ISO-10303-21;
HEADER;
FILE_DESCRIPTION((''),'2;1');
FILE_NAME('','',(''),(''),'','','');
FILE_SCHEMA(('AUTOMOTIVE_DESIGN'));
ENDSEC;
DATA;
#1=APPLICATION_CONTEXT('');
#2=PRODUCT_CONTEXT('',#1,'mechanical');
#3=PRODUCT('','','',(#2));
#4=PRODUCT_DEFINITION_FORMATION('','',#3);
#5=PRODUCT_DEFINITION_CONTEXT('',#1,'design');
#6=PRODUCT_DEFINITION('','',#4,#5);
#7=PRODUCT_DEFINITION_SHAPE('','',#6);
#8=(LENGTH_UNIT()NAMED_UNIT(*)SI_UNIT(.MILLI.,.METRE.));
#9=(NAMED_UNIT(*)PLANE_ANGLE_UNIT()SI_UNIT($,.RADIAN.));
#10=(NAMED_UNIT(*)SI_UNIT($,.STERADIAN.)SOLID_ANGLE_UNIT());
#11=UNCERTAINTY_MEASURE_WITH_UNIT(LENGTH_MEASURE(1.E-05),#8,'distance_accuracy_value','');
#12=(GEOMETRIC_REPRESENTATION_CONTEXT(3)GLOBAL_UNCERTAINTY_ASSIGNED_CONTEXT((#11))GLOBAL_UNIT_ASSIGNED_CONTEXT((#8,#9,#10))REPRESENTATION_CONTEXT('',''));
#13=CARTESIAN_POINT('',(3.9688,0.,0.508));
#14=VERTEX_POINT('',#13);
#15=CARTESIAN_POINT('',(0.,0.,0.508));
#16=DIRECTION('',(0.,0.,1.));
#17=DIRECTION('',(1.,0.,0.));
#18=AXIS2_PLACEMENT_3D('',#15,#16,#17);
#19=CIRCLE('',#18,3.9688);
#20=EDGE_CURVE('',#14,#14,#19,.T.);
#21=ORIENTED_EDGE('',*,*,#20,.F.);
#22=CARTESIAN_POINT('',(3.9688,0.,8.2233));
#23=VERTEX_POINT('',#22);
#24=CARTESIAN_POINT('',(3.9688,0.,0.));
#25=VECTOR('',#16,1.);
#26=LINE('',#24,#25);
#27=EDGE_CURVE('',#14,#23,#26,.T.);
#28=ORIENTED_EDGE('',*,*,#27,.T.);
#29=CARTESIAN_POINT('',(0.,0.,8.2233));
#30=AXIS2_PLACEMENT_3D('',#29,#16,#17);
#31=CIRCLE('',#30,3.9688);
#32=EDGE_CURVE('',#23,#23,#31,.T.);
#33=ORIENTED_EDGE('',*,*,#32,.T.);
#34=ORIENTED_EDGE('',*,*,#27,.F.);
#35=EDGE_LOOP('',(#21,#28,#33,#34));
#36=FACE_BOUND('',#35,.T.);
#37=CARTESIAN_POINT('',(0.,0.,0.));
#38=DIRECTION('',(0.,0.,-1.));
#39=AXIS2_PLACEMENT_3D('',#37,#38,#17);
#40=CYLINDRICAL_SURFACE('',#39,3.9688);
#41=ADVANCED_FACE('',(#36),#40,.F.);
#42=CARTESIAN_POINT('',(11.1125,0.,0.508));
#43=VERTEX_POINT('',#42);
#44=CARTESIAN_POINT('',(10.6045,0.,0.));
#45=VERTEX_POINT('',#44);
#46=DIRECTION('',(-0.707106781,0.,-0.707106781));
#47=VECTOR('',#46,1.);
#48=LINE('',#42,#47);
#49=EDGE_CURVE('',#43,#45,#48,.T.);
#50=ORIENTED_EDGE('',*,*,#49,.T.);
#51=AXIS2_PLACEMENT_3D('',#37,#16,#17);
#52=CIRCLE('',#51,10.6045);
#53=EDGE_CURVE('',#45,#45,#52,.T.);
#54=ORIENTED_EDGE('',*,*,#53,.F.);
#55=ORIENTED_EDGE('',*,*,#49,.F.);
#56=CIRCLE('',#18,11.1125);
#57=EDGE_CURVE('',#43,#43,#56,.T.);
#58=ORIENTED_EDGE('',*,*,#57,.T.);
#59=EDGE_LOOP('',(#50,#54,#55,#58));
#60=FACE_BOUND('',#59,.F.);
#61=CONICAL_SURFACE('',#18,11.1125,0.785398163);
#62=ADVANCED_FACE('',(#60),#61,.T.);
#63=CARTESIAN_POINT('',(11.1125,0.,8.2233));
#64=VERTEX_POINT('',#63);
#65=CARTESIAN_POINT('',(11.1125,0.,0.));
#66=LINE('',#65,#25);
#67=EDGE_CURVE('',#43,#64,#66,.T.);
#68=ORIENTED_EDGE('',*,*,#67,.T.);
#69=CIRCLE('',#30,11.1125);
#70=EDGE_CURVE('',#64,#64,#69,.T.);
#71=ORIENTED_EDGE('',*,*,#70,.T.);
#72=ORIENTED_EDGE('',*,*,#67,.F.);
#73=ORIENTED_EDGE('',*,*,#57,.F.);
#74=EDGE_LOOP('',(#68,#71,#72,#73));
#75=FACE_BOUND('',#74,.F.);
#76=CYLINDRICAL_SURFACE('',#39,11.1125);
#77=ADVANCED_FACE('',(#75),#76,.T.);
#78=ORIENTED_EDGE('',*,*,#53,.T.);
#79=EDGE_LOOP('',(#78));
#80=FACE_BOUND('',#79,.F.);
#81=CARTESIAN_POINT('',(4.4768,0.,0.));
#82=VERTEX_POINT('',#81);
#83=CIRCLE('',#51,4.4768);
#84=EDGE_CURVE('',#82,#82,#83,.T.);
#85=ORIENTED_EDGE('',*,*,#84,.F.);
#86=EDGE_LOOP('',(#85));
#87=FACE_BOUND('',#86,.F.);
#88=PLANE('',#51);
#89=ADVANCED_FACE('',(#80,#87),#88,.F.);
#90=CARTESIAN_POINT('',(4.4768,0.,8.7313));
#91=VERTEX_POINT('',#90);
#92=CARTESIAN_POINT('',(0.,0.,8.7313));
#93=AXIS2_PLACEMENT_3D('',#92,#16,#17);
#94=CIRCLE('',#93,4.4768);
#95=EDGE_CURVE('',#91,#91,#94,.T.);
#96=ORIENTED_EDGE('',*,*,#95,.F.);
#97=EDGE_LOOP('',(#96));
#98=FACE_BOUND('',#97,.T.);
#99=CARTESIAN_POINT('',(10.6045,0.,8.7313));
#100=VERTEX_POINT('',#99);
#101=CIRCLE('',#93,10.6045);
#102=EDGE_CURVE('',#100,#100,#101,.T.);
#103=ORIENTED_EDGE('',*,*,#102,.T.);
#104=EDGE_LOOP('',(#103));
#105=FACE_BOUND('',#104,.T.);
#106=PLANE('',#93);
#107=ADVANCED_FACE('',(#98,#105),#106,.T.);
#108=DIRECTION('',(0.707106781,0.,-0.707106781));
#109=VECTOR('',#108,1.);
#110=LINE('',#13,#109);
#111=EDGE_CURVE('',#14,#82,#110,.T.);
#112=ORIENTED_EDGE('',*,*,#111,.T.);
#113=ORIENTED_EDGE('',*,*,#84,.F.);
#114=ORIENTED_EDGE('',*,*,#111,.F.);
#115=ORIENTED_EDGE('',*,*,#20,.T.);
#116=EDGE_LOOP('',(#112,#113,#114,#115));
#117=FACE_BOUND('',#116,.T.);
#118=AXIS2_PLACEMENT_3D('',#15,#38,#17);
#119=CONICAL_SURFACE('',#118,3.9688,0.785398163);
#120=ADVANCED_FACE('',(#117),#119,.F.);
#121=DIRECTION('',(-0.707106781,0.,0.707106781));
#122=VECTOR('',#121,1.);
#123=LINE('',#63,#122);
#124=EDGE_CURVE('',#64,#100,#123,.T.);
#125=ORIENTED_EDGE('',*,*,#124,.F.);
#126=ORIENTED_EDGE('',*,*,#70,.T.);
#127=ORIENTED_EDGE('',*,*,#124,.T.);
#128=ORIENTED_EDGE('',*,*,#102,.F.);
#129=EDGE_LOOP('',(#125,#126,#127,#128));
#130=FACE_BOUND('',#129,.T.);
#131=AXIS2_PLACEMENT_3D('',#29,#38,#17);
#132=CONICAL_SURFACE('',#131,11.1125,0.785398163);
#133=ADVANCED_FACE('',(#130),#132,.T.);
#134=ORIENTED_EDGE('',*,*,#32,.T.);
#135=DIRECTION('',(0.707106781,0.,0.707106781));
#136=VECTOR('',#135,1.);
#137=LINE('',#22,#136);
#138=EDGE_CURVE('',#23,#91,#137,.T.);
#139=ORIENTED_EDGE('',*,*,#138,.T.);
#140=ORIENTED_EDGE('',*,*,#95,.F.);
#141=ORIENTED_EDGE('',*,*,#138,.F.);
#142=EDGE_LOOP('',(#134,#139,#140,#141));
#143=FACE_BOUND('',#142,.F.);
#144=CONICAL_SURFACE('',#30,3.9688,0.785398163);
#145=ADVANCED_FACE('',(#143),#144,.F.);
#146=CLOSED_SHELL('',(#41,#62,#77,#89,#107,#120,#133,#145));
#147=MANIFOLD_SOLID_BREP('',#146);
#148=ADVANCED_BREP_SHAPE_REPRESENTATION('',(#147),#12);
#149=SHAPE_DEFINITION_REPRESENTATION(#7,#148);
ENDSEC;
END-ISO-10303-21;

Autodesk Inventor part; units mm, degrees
ref_plane "YZ Plane" through (0, 0, 0) normal (1, 0, 0) x (0, 1, 0)
sketch "Sketch1" plane through (0, 0, 0) normal (0, 0, 1) x (1, 0, 0)
  circle A0 centre (0, 0) radius 3.9688
  circle A1 centre (0, 0) radius 11.1125
  dimension "d7" = 7.9375
  dimension "d8" = 22.225
extrude "Extrusion1" add sketch "Sketch1" along normal blind 8.7313
chamfer "Chamfer1" distance 0.508 angle 45 4 edges at (-11.1125, 0, 8.7313) (-3.9688, 0, 8.7313) (-3.9688, 0, 0) (-11.1125, 0, 0)
ref_plane "Work Plane1" through (0, 0, 4.3656) normal (0, 0, 1) x (1, 0, 0)
ref_plane "Work Plane2" through (0, 0, 4.3656) normal (0, 0, 1) x (1, 0, 0)
properties part number "1603-2RS Ball Bearing 5_16x7_8x11_32 Sealed 1603DC" material "Steel"
